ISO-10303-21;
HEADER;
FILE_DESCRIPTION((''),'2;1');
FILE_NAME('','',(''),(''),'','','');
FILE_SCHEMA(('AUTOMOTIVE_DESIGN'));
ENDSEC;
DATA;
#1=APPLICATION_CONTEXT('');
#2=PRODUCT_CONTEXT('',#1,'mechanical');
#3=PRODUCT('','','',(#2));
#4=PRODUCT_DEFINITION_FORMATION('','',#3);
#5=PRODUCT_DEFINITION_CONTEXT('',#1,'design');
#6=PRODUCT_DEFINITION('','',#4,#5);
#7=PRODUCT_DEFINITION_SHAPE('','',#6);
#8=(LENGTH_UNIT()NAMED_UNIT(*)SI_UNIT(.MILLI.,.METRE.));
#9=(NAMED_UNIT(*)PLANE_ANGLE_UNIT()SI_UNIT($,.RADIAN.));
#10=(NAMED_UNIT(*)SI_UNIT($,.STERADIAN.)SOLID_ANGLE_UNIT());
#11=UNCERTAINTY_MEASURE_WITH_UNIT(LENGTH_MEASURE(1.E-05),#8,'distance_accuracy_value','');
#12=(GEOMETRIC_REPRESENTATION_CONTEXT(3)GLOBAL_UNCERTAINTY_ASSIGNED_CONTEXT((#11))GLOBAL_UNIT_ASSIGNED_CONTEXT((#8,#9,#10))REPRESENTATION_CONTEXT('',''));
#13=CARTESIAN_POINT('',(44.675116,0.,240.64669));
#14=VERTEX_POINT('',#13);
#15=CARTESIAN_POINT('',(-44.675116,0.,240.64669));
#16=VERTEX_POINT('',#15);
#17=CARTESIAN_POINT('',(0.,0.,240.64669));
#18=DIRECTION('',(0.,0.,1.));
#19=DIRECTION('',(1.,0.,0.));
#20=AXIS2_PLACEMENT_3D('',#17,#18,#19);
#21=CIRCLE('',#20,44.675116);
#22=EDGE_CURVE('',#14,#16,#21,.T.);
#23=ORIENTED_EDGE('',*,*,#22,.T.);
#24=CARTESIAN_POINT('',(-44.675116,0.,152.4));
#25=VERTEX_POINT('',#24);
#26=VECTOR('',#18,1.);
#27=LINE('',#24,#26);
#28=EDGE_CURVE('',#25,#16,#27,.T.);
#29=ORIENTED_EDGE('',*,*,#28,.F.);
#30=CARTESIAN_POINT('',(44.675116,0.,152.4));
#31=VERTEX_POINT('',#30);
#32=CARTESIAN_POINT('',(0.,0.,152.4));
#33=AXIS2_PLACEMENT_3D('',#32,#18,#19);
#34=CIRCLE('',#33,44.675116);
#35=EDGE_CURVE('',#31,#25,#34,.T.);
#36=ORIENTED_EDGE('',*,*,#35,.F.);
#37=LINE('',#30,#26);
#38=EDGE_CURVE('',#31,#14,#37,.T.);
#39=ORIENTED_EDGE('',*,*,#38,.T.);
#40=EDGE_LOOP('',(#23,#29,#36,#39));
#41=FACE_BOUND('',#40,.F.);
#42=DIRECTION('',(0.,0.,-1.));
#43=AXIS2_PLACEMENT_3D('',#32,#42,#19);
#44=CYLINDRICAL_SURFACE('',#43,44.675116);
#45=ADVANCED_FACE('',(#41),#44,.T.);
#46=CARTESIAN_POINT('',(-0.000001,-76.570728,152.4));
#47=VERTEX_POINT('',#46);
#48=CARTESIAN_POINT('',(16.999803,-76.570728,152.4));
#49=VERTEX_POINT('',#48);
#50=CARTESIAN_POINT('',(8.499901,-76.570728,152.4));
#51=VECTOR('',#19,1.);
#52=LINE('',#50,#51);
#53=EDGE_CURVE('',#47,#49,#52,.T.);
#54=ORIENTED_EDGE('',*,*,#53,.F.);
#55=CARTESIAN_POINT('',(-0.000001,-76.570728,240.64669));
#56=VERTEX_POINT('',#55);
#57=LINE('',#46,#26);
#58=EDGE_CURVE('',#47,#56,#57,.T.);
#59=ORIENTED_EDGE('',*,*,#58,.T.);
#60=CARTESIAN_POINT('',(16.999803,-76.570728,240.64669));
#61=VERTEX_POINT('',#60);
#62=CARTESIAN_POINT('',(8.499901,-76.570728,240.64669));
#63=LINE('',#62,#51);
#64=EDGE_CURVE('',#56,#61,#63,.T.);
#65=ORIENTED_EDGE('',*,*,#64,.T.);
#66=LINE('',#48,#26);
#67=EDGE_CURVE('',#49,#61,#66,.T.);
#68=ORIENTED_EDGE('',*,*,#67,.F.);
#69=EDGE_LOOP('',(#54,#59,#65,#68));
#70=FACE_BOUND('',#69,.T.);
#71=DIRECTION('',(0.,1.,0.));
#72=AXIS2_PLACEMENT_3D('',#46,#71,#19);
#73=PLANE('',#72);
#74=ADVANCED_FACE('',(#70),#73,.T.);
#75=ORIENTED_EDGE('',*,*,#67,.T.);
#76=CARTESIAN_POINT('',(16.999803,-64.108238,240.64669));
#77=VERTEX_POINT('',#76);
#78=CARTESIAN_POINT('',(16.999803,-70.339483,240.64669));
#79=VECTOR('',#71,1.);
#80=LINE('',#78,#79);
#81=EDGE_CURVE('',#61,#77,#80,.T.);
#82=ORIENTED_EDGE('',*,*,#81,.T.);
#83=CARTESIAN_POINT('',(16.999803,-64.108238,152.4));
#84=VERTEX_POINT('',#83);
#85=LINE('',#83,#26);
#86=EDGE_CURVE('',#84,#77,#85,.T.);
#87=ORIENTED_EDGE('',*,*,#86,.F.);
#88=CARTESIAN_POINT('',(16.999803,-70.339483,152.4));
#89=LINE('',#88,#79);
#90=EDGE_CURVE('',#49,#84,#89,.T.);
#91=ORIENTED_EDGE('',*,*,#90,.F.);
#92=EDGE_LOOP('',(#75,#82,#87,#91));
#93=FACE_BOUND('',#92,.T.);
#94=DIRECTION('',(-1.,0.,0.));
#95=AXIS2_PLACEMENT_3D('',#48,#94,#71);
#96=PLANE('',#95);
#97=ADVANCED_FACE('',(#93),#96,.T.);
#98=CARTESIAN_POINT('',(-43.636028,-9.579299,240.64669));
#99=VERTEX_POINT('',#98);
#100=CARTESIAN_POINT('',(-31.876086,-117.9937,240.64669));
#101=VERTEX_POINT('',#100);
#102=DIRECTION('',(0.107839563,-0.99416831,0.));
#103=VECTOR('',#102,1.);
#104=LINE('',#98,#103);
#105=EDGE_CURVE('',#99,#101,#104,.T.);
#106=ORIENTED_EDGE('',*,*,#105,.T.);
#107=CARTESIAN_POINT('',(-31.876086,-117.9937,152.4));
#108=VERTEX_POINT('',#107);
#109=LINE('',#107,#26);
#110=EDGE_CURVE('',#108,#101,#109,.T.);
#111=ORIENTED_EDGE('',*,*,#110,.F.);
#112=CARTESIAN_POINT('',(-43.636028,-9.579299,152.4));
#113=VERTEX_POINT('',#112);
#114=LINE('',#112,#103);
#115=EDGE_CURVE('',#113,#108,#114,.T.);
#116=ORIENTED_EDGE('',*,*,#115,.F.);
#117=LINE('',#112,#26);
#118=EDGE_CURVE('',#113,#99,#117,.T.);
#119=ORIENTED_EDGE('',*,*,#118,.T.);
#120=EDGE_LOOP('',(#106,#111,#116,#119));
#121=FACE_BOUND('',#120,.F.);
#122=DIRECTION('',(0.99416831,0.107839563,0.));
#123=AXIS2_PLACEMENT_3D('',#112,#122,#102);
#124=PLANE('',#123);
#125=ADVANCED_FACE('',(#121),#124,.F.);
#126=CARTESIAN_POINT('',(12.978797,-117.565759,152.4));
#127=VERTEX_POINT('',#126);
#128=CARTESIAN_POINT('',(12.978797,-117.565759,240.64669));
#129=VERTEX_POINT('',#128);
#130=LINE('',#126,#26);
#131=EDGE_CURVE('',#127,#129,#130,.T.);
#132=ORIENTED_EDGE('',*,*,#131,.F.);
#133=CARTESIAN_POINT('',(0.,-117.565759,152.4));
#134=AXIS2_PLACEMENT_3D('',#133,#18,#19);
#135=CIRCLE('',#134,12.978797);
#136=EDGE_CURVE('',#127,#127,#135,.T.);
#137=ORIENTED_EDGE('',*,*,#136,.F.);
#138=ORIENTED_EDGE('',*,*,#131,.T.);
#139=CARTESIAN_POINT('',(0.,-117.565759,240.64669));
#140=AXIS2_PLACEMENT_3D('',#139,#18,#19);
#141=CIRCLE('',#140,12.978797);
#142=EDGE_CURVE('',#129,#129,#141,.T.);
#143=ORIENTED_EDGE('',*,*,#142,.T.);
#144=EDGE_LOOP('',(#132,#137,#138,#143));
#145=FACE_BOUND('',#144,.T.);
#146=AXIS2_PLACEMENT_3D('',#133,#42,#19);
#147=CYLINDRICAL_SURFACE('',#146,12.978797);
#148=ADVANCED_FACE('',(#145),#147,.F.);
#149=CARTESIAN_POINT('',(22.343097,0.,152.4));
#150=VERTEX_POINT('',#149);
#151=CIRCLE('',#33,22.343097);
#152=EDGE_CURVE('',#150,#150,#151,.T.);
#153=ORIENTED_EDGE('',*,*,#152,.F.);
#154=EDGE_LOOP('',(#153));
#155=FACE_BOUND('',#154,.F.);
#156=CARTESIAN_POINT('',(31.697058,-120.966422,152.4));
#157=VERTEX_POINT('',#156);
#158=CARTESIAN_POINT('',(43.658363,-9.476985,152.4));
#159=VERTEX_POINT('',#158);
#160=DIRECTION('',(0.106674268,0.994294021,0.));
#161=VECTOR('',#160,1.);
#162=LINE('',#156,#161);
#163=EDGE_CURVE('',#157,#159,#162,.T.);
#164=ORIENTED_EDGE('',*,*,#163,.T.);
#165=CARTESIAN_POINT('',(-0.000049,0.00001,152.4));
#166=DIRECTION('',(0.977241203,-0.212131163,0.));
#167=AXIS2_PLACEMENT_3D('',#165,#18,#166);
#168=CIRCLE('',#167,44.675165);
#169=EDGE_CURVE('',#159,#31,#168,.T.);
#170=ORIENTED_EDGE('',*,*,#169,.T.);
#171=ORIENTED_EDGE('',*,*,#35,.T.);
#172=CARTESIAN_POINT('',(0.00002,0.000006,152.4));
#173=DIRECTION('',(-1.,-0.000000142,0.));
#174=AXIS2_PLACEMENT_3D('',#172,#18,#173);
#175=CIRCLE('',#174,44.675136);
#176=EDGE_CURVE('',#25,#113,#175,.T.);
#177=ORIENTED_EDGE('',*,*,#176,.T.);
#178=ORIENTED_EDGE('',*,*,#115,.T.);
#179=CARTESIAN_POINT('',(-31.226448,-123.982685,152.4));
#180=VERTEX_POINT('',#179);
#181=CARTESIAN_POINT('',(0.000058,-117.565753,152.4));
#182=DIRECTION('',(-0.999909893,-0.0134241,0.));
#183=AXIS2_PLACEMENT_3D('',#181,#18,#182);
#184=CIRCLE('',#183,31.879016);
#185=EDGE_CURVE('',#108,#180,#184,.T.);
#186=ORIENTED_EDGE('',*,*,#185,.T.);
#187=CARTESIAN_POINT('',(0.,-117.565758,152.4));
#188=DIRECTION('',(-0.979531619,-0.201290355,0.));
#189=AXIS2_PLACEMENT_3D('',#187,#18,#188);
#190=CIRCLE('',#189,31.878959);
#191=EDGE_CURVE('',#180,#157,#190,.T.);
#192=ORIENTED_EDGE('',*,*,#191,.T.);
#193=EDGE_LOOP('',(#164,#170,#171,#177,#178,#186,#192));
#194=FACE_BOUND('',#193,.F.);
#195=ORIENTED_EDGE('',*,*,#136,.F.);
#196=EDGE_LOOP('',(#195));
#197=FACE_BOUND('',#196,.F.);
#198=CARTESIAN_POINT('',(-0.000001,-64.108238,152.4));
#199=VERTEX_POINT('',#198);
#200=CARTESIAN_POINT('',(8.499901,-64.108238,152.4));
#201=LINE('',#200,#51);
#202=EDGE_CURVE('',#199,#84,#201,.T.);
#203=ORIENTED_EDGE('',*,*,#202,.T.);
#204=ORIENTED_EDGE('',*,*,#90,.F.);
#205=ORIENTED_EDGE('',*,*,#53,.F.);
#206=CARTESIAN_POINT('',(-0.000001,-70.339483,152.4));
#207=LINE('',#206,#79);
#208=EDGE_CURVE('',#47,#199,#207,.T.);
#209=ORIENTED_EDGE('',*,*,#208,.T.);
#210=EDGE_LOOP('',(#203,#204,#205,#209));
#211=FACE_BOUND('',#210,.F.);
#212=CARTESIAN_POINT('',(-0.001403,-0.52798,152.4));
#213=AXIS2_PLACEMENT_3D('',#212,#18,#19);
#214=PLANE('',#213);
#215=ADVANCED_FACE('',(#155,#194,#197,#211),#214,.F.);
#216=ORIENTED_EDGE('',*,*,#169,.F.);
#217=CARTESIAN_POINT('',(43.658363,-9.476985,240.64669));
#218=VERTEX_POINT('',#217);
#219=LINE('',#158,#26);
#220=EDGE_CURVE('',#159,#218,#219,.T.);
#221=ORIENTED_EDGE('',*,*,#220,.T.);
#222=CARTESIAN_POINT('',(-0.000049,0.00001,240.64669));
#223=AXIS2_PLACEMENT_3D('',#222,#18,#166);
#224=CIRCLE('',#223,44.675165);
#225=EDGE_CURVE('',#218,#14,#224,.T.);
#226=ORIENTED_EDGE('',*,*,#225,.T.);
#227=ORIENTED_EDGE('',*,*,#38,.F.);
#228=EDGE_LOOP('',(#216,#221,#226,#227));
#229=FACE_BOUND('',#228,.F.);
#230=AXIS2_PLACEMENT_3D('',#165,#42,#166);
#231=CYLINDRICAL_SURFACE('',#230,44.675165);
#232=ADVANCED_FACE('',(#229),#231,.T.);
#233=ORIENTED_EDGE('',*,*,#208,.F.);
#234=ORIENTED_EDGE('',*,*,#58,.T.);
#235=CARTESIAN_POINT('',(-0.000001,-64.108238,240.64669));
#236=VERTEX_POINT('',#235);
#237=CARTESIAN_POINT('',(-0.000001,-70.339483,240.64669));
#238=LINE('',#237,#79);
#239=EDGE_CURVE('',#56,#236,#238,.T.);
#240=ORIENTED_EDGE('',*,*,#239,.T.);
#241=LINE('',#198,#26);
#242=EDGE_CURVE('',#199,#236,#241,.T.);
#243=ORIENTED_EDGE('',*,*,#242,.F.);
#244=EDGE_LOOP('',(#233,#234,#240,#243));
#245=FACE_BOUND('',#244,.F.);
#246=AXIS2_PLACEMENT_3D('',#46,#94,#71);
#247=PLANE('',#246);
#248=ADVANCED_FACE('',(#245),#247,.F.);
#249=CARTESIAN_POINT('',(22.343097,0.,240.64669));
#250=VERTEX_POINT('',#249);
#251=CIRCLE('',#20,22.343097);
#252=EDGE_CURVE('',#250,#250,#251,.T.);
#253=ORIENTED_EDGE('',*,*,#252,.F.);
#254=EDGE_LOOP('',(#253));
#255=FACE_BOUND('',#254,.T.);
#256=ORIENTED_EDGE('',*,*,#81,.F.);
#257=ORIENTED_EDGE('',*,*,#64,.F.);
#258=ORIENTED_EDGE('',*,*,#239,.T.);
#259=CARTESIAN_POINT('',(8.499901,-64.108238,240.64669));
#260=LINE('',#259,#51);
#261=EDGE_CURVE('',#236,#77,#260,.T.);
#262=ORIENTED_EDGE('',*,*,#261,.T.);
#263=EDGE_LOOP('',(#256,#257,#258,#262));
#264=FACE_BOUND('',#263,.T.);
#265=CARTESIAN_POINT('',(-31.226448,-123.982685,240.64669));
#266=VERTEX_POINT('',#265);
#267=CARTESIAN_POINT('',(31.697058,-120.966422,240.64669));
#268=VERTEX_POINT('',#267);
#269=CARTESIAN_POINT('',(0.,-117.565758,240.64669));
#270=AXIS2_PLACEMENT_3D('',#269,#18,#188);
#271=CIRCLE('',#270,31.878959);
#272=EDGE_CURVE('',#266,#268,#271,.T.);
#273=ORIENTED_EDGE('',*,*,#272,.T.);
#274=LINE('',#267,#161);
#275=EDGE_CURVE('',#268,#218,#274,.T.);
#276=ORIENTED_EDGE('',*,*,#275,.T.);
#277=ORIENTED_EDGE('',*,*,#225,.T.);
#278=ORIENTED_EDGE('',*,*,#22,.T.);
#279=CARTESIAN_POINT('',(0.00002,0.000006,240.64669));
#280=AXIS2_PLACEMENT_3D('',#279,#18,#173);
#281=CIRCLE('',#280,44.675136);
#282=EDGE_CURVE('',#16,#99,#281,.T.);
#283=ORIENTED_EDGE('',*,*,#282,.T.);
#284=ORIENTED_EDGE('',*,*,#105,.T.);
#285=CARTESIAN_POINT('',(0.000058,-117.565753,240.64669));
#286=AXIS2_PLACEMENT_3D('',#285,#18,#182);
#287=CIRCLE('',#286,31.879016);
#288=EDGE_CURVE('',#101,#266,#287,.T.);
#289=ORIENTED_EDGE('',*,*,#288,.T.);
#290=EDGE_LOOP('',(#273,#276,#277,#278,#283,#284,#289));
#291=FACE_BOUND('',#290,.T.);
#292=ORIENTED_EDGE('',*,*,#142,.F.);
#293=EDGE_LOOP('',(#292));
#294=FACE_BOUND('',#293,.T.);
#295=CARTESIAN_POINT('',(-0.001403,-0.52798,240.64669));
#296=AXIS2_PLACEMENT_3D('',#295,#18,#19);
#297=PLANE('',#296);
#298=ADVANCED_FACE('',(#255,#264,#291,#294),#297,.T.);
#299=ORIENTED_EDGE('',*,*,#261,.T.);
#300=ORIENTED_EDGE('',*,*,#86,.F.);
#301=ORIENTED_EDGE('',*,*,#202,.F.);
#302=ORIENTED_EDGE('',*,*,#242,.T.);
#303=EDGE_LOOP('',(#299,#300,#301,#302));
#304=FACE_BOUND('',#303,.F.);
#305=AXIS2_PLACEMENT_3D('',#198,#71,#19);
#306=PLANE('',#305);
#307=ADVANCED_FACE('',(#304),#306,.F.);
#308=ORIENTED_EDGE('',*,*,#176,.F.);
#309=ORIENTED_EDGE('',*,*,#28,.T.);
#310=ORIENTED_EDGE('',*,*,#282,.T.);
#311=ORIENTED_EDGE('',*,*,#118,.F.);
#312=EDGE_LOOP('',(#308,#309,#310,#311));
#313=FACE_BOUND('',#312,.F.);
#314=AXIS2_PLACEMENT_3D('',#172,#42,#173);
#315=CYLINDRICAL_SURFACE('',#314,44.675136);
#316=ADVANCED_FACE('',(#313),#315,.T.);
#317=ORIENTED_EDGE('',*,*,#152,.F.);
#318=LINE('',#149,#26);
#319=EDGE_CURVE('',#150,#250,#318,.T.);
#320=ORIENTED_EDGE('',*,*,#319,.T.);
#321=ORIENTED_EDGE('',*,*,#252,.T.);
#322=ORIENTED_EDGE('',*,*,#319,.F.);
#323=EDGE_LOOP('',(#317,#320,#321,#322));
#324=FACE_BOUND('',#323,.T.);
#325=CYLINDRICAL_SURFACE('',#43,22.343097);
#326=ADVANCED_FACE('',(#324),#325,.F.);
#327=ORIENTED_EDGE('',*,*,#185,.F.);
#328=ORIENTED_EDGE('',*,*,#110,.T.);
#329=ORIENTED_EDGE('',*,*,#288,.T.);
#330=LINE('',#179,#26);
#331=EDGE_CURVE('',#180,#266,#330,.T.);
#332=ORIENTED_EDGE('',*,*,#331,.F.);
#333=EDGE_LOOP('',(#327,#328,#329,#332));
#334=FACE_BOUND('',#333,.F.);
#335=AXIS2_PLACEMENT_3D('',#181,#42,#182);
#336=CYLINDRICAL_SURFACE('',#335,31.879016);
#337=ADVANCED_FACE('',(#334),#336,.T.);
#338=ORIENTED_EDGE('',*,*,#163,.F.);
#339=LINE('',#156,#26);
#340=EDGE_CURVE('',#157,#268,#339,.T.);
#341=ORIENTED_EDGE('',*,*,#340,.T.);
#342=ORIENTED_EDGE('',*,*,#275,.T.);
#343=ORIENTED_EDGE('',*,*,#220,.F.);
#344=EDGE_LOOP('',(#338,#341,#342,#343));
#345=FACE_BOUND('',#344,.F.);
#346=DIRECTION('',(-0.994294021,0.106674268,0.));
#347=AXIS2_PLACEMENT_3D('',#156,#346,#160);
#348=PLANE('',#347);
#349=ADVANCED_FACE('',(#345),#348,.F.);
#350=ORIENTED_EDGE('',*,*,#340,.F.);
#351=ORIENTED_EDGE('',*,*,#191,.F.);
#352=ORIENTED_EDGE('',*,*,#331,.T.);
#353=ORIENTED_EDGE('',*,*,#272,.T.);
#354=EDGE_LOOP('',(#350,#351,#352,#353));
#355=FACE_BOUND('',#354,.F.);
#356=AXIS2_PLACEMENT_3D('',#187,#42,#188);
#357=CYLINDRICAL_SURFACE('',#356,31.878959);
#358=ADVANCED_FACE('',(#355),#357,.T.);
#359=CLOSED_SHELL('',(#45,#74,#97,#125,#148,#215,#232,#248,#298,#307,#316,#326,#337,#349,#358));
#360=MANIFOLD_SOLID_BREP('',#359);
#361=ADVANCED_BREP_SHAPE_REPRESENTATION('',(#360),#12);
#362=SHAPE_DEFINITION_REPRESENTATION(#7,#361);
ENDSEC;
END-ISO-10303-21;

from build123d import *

# Parameters (mm, degrees)
F1_R     = 22.343097
F1_W     = 16.999803
F1_H     = 12.462489
F1_R_2   = 12.978797
F2_DEPTH = 88.24669


with BuildPart() as f2:
    # F1 (on offset) → F2 (new body)
    with BuildSketch(Plane.XY.offset(152.4)):
        with BuildLine():
            Line((43.658363, -9.476985), (44.675116, 0))
            ThreePointArc((44.675116, 0), (0, 44.675116), (-44.675116, 0))
            Line((-44.675116, 0), (-43.636028, -9.579299))
            ThreePointArc((-43.636028, -9.579299), (0.052362, -44.675085), (43.658363, -9.476985))
        make_face()
        Circle(F1_R, mode=Mode.SUBTRACT)
        with BuildLine():
            ThreePointArc((43.658363, -9.476985), (44.4202, -4.765685), (44.675116, 0))
            Line((44.675116, 0), (43.658363, -9.476985))
        make_face()
        with BuildLine():
            Line((-43.636028, -9.579299), (-44.675116, 0))
            ThreePointArc((-44.675116, 0), (-44.414584, -4.817745), (-43.636028, -9.579299))
        make_face()
        with BuildLine():
            Line((31.697058, -120.966422), (43.658363, -9.476985))
            ThreePointArc((43.658363, -9.476985), (0.052362, -44.675085), (-43.636028, -9.579299))
            Line((-43.636028, -9.579299), (-31.876086, -117.9937))
            ThreePointArc((-31.876086, -117.9937), (-0.213975, -85.687518), (31.878959, -117.565759))
            ThreePointArc((31.878959, -117.565759), (31.833451, -119.268521), (31.697058, -120.966422))
        make_face()
        with Locations((8.499901, -70.339483)):
            Rectangle(F1_W, F1_H, mode=Mode.SUBTRACT)
        with BuildLine():
            ThreePointArc((-31.226448, -123.982685), (1.526377, -149.408154), (31.697058, -120.966422))
            ThreePointArc((31.697058, -120.966422), (31.833451, -119.268521), (31.878959, -117.565759))
            ThreePointArc((31.878959, -117.565759), (-0.213975, -85.687518), (-31.876086, -117.9937))
            Line((-31.876086, -117.9937), (-31.226448, -123.982685))
        make_face()
        with Locations((0, -117.565759)):
            Circle(F1_R_2, mode=Mode.SUBTRACT)
        with BuildLine():
            Line((-31.226448, -123.982685), (-31.876086, -117.9937))
            ThreePointArc((-31.876086, -117.9937), (-31.69305, -121.003572), (-31.226448, -123.982685))
        make_face()
    extrude(amount=F2_DEPTH)


solid = f2.part
